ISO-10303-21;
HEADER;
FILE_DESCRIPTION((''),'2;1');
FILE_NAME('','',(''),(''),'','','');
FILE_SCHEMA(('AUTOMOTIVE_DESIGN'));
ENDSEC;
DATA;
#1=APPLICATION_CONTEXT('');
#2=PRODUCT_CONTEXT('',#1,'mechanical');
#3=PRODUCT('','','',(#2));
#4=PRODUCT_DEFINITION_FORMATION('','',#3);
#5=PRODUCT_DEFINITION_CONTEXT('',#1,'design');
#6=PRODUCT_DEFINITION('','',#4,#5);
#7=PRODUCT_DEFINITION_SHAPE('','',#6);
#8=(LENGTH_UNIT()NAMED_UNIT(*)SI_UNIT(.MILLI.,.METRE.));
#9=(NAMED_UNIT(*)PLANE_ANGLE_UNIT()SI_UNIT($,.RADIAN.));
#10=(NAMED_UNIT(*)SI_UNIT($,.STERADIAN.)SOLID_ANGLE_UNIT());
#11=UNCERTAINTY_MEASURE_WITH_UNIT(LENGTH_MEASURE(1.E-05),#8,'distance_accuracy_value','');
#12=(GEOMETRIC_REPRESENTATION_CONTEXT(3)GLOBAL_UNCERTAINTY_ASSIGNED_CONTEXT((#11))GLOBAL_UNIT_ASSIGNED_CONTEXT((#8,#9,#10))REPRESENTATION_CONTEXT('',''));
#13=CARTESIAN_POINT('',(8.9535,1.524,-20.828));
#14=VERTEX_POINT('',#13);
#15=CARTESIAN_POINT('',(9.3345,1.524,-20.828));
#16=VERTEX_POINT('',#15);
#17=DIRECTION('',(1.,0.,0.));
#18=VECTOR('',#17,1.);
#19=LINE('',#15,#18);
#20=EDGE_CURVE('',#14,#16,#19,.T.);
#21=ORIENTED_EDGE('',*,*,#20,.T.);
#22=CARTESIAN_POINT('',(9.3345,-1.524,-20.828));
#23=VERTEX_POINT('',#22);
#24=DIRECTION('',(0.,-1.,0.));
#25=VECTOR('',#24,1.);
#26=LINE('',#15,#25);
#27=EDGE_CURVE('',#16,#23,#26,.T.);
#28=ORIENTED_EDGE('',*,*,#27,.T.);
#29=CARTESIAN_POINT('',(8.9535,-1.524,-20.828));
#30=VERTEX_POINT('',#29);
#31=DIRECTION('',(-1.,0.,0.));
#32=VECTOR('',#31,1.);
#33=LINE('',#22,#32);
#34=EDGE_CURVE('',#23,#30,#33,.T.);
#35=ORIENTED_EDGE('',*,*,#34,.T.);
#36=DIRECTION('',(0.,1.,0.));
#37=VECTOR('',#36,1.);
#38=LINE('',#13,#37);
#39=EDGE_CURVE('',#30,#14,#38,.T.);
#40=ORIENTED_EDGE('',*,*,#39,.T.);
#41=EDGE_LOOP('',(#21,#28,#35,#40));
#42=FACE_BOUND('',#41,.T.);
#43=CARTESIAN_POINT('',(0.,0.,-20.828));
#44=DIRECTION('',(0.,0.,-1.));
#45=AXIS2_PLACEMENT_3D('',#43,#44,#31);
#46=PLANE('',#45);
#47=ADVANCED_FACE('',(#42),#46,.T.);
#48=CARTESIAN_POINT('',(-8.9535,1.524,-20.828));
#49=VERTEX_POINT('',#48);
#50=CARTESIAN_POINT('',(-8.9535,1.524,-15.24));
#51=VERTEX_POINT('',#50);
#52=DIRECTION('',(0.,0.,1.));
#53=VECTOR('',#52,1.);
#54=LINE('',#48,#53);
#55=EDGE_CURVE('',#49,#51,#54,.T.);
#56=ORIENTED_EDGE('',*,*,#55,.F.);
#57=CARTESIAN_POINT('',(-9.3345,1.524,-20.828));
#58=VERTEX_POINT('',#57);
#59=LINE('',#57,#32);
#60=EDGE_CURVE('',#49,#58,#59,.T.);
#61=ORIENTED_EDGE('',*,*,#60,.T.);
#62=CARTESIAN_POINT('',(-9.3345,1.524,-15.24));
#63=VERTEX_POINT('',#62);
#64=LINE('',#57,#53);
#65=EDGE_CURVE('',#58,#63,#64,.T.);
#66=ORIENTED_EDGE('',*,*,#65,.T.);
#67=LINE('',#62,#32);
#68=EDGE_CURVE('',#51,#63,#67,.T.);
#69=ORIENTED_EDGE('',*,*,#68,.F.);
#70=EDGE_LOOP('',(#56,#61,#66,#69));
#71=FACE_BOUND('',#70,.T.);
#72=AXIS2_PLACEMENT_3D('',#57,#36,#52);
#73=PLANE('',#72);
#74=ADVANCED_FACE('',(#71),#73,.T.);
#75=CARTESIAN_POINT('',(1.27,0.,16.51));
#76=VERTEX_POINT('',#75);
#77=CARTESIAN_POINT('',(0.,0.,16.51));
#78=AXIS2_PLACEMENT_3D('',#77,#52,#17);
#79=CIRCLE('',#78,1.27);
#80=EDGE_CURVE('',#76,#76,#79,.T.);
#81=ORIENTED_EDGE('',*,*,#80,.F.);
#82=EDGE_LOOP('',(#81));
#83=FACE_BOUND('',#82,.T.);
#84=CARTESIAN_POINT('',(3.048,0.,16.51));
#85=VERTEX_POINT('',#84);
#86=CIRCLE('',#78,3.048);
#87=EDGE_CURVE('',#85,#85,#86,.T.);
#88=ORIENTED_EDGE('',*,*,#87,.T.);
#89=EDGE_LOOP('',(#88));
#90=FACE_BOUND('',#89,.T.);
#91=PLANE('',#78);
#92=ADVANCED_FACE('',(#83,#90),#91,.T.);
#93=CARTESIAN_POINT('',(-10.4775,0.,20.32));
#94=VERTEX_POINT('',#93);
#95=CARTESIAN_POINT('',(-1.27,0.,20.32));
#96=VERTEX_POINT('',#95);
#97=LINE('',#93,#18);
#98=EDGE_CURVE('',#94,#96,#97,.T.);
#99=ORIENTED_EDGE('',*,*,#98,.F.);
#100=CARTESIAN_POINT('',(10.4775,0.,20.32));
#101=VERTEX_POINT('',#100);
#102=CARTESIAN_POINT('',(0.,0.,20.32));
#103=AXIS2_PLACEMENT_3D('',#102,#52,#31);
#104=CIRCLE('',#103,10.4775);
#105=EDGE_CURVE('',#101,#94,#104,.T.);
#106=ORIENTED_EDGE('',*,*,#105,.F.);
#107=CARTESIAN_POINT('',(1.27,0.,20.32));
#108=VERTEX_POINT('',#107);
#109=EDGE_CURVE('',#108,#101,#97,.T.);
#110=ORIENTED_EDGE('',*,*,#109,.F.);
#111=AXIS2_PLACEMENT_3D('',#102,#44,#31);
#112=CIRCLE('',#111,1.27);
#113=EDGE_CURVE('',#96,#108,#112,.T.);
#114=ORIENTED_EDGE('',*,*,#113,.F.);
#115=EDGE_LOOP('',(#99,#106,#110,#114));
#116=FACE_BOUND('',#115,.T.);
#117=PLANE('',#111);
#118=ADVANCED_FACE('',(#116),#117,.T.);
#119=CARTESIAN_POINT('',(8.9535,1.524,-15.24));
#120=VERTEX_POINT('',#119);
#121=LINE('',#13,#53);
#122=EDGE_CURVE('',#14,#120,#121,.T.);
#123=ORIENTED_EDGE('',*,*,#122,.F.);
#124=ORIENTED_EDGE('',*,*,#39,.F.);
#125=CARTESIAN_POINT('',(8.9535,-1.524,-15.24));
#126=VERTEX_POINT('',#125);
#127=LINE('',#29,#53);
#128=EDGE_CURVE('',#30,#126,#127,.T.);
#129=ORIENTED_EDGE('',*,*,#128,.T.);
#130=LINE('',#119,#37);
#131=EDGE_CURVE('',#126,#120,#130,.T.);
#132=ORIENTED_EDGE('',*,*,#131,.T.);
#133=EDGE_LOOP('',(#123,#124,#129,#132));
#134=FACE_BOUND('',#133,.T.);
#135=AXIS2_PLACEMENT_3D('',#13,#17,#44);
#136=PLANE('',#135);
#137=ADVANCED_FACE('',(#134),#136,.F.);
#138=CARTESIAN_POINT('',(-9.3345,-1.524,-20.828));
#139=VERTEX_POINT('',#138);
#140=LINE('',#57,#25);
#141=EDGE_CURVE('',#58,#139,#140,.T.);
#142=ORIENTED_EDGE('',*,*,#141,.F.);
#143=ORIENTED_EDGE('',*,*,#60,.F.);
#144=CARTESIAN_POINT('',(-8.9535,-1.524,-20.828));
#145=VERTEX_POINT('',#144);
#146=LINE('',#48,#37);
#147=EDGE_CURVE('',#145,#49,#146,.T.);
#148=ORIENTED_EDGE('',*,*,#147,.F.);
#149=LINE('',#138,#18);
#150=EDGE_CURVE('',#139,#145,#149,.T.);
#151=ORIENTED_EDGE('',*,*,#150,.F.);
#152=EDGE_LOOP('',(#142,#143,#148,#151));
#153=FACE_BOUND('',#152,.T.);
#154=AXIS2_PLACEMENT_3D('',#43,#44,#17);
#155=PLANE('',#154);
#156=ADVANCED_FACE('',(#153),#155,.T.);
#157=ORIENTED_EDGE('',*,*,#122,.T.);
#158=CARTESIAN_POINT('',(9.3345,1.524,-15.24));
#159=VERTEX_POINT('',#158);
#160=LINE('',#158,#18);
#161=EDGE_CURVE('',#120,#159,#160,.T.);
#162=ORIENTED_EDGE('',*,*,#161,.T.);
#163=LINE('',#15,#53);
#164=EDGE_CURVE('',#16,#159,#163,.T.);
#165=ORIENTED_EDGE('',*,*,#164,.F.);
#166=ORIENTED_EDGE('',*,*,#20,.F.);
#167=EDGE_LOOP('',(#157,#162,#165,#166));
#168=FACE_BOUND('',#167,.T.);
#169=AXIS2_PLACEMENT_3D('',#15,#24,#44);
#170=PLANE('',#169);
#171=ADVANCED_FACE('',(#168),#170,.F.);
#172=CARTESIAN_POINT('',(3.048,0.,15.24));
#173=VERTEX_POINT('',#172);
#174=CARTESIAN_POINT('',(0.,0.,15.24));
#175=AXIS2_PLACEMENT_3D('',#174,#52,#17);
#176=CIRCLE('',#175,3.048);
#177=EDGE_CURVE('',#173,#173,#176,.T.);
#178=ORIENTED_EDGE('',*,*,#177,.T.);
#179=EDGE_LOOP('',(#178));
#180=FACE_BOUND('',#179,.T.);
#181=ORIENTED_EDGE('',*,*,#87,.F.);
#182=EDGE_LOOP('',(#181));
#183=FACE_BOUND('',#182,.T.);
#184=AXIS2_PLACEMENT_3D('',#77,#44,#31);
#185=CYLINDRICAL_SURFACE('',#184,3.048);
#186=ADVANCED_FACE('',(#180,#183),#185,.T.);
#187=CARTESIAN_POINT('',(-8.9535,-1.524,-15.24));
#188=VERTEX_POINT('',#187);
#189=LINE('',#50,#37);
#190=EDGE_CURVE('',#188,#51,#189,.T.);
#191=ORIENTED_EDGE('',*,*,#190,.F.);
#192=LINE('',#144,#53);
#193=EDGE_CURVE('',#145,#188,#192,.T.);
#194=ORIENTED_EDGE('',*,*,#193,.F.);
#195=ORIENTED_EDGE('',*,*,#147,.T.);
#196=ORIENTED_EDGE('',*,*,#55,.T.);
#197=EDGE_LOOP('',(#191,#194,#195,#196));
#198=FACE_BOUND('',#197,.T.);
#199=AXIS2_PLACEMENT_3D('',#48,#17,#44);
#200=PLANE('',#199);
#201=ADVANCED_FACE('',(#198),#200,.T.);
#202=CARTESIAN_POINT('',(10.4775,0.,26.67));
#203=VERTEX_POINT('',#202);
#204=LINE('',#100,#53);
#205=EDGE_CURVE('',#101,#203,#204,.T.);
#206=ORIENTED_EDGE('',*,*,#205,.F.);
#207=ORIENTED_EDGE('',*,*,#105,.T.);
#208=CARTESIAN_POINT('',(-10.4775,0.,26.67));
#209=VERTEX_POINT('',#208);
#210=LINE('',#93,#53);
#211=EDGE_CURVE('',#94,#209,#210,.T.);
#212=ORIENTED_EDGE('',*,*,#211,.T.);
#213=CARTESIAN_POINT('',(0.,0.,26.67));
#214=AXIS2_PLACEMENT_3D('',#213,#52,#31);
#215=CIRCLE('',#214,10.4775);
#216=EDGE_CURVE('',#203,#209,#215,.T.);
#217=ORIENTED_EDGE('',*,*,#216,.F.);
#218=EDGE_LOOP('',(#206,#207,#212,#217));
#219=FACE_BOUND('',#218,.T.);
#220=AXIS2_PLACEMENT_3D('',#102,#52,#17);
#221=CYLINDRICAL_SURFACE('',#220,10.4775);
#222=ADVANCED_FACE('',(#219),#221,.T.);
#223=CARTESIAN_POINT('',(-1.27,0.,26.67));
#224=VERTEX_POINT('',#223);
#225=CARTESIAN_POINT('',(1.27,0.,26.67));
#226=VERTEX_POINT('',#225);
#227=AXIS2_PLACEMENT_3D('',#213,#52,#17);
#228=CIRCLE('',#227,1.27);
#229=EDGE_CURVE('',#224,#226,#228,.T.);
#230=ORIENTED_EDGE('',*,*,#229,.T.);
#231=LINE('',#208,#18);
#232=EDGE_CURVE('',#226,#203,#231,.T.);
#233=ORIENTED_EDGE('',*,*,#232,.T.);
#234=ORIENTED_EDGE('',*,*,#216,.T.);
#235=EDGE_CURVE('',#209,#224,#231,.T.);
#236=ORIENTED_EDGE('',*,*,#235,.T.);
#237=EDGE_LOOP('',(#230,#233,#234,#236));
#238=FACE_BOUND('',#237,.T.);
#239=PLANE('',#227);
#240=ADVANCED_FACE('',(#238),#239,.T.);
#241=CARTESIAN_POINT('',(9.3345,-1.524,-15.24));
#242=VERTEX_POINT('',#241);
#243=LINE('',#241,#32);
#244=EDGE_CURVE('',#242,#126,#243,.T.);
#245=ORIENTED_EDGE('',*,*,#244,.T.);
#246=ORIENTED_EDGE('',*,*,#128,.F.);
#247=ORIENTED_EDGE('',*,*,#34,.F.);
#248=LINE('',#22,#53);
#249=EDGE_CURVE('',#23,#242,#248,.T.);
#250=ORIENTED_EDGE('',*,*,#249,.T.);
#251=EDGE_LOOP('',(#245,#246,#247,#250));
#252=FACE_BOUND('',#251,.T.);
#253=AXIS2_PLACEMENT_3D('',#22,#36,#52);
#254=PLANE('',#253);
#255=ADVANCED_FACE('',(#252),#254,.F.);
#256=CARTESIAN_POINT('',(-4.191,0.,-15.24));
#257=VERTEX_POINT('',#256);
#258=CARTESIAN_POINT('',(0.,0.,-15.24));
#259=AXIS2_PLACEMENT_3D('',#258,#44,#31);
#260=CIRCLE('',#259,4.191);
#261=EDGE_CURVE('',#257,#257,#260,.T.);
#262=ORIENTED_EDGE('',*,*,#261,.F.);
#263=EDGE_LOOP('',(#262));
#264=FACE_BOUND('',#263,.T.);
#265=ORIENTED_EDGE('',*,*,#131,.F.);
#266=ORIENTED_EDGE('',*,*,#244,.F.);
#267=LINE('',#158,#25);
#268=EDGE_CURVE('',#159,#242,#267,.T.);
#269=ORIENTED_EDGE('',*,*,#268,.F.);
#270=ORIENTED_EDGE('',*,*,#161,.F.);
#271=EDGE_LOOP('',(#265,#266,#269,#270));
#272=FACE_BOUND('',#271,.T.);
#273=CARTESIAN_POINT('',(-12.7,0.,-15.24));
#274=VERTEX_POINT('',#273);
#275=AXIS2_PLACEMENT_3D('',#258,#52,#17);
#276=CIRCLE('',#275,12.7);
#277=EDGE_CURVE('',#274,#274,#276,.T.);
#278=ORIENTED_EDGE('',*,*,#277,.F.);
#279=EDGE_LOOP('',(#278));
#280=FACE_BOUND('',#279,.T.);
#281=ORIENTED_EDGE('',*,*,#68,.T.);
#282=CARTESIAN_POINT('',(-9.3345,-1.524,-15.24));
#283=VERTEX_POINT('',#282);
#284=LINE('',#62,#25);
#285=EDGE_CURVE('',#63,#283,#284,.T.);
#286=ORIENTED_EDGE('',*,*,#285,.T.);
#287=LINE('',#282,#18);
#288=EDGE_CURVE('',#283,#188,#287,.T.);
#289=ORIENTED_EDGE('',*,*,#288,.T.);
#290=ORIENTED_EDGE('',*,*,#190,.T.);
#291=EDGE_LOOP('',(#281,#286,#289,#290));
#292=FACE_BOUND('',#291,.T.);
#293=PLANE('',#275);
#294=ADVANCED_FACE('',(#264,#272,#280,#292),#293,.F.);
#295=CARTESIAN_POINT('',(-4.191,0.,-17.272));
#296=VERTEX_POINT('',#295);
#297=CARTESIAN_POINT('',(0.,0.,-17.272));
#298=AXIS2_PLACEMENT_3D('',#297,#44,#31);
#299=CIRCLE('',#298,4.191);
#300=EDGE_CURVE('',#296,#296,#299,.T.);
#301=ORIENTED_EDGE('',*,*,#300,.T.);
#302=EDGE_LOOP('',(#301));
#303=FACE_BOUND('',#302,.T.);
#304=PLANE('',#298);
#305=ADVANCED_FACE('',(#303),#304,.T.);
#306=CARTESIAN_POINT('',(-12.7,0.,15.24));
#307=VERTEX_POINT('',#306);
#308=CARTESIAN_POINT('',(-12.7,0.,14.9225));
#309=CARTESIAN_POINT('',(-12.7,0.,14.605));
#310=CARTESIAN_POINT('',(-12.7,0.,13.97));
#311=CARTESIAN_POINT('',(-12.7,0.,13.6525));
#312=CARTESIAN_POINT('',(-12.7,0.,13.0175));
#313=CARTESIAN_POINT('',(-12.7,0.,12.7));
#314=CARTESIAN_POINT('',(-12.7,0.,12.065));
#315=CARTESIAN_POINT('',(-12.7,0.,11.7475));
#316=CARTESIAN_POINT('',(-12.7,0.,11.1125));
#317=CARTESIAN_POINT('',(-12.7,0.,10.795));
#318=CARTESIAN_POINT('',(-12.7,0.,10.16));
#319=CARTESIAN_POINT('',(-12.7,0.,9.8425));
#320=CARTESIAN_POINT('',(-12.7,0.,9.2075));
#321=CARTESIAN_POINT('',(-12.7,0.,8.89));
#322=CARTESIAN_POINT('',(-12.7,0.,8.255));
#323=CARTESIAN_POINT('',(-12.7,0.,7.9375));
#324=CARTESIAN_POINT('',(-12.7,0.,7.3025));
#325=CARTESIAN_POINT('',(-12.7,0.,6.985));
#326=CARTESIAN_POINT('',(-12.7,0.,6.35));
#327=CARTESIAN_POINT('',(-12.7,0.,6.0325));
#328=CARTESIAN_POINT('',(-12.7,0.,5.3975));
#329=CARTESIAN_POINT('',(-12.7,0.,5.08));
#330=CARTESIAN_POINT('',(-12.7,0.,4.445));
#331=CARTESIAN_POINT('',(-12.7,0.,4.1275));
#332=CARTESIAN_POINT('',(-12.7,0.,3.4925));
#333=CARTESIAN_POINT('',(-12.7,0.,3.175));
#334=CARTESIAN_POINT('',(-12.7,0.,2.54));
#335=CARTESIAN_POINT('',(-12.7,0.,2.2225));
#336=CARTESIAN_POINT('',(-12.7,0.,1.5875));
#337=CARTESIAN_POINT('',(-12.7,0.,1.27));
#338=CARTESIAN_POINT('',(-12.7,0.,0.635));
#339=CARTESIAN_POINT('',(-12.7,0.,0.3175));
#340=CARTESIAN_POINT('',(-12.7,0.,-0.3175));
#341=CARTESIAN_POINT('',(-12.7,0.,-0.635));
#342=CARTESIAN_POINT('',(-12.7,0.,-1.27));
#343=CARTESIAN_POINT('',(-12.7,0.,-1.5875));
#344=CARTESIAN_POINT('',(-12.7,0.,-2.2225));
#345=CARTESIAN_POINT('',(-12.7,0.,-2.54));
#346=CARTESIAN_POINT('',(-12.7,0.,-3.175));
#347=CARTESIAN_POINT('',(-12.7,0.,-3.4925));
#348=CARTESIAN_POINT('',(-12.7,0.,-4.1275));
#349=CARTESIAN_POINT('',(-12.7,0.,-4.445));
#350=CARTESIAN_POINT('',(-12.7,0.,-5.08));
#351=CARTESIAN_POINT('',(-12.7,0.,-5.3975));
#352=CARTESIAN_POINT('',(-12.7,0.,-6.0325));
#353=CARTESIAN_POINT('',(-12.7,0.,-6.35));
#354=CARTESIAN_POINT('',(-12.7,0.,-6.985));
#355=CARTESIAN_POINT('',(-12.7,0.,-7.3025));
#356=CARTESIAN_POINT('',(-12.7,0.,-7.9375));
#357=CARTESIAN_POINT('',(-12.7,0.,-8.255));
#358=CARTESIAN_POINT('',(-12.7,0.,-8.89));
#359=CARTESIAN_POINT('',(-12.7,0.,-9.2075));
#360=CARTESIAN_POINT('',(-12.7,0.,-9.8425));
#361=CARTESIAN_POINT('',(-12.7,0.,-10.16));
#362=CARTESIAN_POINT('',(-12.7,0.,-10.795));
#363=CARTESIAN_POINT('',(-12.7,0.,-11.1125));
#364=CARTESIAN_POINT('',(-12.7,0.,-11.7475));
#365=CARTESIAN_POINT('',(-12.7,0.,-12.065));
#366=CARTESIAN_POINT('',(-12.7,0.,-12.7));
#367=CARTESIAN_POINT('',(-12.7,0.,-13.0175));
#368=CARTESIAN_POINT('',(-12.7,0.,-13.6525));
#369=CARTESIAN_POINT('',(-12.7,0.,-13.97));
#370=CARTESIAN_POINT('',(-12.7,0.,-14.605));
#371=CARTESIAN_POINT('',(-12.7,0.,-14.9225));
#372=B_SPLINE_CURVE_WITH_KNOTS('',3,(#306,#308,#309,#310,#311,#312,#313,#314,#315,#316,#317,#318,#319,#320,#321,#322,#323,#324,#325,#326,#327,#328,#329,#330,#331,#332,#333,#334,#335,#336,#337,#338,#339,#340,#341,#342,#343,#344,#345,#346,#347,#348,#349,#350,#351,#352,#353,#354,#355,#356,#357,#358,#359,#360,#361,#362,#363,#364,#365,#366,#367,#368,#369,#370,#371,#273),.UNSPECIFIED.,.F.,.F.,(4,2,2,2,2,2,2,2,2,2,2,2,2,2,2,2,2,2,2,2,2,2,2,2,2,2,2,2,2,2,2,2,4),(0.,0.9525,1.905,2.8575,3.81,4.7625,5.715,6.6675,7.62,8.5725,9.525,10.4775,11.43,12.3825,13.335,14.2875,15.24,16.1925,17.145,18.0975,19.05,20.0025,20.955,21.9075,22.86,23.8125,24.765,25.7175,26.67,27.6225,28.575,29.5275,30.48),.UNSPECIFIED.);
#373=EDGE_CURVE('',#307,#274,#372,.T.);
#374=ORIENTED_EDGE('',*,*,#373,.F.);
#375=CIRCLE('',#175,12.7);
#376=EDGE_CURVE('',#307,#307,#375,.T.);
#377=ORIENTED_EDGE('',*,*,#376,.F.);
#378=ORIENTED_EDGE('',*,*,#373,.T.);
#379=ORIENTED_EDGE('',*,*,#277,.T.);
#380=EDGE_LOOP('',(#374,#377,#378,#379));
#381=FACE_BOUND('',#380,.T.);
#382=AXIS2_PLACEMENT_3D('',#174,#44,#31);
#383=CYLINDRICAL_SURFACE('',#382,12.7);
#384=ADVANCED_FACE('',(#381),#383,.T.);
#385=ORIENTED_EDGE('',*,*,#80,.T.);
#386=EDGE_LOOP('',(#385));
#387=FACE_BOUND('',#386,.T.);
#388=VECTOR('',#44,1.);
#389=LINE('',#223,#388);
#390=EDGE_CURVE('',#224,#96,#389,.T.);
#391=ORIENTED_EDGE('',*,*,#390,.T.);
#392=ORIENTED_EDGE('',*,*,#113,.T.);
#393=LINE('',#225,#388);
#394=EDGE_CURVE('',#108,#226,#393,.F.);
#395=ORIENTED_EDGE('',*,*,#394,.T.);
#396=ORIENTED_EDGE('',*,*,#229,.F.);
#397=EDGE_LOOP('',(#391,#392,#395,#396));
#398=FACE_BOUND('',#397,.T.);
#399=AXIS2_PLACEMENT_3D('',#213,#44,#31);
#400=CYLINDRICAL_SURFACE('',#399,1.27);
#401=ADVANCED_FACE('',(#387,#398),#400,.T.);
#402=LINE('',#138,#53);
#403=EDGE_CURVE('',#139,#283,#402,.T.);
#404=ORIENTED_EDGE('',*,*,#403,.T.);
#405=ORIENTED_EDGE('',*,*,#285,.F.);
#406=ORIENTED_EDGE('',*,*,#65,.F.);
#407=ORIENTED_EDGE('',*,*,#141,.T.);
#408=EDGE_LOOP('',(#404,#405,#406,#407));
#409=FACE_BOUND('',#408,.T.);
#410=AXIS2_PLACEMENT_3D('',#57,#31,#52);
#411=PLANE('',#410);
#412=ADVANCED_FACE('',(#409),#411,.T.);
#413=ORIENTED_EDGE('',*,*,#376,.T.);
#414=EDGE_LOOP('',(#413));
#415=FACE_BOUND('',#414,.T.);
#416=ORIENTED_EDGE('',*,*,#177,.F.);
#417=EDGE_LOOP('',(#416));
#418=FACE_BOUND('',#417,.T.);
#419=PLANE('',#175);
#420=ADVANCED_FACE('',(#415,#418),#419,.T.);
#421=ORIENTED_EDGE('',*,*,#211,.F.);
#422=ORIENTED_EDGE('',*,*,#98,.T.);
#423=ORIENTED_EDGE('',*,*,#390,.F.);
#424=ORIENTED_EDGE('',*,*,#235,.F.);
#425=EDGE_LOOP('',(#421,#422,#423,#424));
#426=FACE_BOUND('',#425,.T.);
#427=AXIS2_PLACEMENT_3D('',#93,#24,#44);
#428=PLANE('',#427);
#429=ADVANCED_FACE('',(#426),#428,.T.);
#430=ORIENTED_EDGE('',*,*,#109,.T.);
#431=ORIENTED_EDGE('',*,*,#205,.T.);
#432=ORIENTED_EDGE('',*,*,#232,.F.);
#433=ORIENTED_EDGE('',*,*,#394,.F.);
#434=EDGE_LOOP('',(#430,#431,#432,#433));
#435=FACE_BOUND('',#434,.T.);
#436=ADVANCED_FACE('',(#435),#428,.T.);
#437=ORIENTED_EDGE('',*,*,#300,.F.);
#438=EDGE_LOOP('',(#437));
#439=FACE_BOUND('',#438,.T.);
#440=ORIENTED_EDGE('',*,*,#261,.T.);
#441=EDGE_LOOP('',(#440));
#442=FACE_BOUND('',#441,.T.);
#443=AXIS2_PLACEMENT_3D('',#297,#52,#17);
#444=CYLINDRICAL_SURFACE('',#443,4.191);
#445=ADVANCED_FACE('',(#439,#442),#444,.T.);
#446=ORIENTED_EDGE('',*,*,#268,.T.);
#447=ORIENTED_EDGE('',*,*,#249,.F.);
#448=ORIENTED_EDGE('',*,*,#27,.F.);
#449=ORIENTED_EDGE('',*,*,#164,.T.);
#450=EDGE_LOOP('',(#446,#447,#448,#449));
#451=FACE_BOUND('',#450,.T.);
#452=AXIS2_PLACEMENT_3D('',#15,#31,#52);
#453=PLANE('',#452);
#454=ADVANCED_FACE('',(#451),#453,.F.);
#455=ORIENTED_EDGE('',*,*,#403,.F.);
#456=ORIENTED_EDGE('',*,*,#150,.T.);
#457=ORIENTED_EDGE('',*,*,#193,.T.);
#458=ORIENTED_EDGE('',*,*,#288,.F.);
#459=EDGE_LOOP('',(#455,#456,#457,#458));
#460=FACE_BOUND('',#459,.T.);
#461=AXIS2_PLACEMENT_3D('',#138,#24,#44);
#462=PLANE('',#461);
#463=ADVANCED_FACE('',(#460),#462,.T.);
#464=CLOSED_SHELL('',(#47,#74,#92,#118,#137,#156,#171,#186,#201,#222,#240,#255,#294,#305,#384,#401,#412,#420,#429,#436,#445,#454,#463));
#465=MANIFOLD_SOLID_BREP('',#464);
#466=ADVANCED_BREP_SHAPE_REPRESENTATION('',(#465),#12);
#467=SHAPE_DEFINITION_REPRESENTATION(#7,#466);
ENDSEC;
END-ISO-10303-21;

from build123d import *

# Parameters (mm, degrees)
SKETCH1_R           = 12.7
BOSS_EXTRUDE1_DEPTH = 15.24
SKETCH2_R           = 3.048
BOSS_EXTRUDE2_DEPTH = 1.27
SKETCH3_R           = 1.27
BOSS_EXTRUDE3_DEPTH = 10.16
BOSS_EXTRUDE4_DEPTH = 6.35
SKETCH5_R           = 4.191
BOSS_EXTRUDE5_DEPTH = 2.032
SKETCH6_W           = 0.381
SKETCH6_H           = 3.048
BOSS_EXTRUDE6_DEPTH = 5.588


with BuildPart() as part:
    # Sketch1 → Boss-Extrude1 (new, symmetric)
    with BuildSketch(Plane.XY):
        with Locations(Location((0, 0, 0), (0, 0, 180))):
            Circle(SKETCH1_R)
    extrude(amount=BOSS_EXTRUDE1_DEPTH, both=True)

    # Sketch2 → Boss-Extrude2 (add)
    with BuildSketch(Plane.XY.offset(15.24)):
        Circle(SKETCH2_R)
    extrude(amount=BOSS_EXTRUDE2_DEPTH)

    # Sketch3 → Boss-Extrude3 (add)
    with BuildSketch(Plane.XY.offset(16.51)):
        Circle(SKETCH3_R)
    extrude(amount=BOSS_EXTRUDE3_DEPTH)

    # Sketch4 → Boss-Extrude4 (add)
    with BuildSketch(Plane.XY.offset(26.67)):
        with BuildLine():
            Line((-10.4775, 0), (10.4775, 0))
            ThreePointArc((10.4775, 0), (0, 10.4775), (-10.4775, 0))
        make_face()
    extrude(amount=-BOSS_EXTRUDE4_DEPTH)

    # Sketch5 → Boss-Extrude5 (add)
    with BuildSketch(Plane(origin=(0, 0, -15.24), x_dir=(-1, 0, 0), z_dir=(0, 0, -1))):
        Circle(SKETCH5_R)
    extrude(amount=BOSS_EXTRUDE5_DEPTH)

    # Sketch6 → Boss-Extrude6 (add)
    with BuildSketch(Plane(origin=(0, 0, -15.24), x_dir=(-1, 0, 0), z_dir=(0, 0, -1))):
        with Locations((-9.144, 0)):
            Rectangle(SKETCH6_W, SKETCH6_H)
    boss_extrude6 = extrude(amount=BOSS_EXTRUDE6_DEPTH)

    # Mirror1: Boss-Extrude6 across plane
    add(boss_extrude6.mirror(Plane(origin=(0, 0, 0), x_dir=(0, 0, 1), z_dir=(1, 0, 0))))


solid = part.part
